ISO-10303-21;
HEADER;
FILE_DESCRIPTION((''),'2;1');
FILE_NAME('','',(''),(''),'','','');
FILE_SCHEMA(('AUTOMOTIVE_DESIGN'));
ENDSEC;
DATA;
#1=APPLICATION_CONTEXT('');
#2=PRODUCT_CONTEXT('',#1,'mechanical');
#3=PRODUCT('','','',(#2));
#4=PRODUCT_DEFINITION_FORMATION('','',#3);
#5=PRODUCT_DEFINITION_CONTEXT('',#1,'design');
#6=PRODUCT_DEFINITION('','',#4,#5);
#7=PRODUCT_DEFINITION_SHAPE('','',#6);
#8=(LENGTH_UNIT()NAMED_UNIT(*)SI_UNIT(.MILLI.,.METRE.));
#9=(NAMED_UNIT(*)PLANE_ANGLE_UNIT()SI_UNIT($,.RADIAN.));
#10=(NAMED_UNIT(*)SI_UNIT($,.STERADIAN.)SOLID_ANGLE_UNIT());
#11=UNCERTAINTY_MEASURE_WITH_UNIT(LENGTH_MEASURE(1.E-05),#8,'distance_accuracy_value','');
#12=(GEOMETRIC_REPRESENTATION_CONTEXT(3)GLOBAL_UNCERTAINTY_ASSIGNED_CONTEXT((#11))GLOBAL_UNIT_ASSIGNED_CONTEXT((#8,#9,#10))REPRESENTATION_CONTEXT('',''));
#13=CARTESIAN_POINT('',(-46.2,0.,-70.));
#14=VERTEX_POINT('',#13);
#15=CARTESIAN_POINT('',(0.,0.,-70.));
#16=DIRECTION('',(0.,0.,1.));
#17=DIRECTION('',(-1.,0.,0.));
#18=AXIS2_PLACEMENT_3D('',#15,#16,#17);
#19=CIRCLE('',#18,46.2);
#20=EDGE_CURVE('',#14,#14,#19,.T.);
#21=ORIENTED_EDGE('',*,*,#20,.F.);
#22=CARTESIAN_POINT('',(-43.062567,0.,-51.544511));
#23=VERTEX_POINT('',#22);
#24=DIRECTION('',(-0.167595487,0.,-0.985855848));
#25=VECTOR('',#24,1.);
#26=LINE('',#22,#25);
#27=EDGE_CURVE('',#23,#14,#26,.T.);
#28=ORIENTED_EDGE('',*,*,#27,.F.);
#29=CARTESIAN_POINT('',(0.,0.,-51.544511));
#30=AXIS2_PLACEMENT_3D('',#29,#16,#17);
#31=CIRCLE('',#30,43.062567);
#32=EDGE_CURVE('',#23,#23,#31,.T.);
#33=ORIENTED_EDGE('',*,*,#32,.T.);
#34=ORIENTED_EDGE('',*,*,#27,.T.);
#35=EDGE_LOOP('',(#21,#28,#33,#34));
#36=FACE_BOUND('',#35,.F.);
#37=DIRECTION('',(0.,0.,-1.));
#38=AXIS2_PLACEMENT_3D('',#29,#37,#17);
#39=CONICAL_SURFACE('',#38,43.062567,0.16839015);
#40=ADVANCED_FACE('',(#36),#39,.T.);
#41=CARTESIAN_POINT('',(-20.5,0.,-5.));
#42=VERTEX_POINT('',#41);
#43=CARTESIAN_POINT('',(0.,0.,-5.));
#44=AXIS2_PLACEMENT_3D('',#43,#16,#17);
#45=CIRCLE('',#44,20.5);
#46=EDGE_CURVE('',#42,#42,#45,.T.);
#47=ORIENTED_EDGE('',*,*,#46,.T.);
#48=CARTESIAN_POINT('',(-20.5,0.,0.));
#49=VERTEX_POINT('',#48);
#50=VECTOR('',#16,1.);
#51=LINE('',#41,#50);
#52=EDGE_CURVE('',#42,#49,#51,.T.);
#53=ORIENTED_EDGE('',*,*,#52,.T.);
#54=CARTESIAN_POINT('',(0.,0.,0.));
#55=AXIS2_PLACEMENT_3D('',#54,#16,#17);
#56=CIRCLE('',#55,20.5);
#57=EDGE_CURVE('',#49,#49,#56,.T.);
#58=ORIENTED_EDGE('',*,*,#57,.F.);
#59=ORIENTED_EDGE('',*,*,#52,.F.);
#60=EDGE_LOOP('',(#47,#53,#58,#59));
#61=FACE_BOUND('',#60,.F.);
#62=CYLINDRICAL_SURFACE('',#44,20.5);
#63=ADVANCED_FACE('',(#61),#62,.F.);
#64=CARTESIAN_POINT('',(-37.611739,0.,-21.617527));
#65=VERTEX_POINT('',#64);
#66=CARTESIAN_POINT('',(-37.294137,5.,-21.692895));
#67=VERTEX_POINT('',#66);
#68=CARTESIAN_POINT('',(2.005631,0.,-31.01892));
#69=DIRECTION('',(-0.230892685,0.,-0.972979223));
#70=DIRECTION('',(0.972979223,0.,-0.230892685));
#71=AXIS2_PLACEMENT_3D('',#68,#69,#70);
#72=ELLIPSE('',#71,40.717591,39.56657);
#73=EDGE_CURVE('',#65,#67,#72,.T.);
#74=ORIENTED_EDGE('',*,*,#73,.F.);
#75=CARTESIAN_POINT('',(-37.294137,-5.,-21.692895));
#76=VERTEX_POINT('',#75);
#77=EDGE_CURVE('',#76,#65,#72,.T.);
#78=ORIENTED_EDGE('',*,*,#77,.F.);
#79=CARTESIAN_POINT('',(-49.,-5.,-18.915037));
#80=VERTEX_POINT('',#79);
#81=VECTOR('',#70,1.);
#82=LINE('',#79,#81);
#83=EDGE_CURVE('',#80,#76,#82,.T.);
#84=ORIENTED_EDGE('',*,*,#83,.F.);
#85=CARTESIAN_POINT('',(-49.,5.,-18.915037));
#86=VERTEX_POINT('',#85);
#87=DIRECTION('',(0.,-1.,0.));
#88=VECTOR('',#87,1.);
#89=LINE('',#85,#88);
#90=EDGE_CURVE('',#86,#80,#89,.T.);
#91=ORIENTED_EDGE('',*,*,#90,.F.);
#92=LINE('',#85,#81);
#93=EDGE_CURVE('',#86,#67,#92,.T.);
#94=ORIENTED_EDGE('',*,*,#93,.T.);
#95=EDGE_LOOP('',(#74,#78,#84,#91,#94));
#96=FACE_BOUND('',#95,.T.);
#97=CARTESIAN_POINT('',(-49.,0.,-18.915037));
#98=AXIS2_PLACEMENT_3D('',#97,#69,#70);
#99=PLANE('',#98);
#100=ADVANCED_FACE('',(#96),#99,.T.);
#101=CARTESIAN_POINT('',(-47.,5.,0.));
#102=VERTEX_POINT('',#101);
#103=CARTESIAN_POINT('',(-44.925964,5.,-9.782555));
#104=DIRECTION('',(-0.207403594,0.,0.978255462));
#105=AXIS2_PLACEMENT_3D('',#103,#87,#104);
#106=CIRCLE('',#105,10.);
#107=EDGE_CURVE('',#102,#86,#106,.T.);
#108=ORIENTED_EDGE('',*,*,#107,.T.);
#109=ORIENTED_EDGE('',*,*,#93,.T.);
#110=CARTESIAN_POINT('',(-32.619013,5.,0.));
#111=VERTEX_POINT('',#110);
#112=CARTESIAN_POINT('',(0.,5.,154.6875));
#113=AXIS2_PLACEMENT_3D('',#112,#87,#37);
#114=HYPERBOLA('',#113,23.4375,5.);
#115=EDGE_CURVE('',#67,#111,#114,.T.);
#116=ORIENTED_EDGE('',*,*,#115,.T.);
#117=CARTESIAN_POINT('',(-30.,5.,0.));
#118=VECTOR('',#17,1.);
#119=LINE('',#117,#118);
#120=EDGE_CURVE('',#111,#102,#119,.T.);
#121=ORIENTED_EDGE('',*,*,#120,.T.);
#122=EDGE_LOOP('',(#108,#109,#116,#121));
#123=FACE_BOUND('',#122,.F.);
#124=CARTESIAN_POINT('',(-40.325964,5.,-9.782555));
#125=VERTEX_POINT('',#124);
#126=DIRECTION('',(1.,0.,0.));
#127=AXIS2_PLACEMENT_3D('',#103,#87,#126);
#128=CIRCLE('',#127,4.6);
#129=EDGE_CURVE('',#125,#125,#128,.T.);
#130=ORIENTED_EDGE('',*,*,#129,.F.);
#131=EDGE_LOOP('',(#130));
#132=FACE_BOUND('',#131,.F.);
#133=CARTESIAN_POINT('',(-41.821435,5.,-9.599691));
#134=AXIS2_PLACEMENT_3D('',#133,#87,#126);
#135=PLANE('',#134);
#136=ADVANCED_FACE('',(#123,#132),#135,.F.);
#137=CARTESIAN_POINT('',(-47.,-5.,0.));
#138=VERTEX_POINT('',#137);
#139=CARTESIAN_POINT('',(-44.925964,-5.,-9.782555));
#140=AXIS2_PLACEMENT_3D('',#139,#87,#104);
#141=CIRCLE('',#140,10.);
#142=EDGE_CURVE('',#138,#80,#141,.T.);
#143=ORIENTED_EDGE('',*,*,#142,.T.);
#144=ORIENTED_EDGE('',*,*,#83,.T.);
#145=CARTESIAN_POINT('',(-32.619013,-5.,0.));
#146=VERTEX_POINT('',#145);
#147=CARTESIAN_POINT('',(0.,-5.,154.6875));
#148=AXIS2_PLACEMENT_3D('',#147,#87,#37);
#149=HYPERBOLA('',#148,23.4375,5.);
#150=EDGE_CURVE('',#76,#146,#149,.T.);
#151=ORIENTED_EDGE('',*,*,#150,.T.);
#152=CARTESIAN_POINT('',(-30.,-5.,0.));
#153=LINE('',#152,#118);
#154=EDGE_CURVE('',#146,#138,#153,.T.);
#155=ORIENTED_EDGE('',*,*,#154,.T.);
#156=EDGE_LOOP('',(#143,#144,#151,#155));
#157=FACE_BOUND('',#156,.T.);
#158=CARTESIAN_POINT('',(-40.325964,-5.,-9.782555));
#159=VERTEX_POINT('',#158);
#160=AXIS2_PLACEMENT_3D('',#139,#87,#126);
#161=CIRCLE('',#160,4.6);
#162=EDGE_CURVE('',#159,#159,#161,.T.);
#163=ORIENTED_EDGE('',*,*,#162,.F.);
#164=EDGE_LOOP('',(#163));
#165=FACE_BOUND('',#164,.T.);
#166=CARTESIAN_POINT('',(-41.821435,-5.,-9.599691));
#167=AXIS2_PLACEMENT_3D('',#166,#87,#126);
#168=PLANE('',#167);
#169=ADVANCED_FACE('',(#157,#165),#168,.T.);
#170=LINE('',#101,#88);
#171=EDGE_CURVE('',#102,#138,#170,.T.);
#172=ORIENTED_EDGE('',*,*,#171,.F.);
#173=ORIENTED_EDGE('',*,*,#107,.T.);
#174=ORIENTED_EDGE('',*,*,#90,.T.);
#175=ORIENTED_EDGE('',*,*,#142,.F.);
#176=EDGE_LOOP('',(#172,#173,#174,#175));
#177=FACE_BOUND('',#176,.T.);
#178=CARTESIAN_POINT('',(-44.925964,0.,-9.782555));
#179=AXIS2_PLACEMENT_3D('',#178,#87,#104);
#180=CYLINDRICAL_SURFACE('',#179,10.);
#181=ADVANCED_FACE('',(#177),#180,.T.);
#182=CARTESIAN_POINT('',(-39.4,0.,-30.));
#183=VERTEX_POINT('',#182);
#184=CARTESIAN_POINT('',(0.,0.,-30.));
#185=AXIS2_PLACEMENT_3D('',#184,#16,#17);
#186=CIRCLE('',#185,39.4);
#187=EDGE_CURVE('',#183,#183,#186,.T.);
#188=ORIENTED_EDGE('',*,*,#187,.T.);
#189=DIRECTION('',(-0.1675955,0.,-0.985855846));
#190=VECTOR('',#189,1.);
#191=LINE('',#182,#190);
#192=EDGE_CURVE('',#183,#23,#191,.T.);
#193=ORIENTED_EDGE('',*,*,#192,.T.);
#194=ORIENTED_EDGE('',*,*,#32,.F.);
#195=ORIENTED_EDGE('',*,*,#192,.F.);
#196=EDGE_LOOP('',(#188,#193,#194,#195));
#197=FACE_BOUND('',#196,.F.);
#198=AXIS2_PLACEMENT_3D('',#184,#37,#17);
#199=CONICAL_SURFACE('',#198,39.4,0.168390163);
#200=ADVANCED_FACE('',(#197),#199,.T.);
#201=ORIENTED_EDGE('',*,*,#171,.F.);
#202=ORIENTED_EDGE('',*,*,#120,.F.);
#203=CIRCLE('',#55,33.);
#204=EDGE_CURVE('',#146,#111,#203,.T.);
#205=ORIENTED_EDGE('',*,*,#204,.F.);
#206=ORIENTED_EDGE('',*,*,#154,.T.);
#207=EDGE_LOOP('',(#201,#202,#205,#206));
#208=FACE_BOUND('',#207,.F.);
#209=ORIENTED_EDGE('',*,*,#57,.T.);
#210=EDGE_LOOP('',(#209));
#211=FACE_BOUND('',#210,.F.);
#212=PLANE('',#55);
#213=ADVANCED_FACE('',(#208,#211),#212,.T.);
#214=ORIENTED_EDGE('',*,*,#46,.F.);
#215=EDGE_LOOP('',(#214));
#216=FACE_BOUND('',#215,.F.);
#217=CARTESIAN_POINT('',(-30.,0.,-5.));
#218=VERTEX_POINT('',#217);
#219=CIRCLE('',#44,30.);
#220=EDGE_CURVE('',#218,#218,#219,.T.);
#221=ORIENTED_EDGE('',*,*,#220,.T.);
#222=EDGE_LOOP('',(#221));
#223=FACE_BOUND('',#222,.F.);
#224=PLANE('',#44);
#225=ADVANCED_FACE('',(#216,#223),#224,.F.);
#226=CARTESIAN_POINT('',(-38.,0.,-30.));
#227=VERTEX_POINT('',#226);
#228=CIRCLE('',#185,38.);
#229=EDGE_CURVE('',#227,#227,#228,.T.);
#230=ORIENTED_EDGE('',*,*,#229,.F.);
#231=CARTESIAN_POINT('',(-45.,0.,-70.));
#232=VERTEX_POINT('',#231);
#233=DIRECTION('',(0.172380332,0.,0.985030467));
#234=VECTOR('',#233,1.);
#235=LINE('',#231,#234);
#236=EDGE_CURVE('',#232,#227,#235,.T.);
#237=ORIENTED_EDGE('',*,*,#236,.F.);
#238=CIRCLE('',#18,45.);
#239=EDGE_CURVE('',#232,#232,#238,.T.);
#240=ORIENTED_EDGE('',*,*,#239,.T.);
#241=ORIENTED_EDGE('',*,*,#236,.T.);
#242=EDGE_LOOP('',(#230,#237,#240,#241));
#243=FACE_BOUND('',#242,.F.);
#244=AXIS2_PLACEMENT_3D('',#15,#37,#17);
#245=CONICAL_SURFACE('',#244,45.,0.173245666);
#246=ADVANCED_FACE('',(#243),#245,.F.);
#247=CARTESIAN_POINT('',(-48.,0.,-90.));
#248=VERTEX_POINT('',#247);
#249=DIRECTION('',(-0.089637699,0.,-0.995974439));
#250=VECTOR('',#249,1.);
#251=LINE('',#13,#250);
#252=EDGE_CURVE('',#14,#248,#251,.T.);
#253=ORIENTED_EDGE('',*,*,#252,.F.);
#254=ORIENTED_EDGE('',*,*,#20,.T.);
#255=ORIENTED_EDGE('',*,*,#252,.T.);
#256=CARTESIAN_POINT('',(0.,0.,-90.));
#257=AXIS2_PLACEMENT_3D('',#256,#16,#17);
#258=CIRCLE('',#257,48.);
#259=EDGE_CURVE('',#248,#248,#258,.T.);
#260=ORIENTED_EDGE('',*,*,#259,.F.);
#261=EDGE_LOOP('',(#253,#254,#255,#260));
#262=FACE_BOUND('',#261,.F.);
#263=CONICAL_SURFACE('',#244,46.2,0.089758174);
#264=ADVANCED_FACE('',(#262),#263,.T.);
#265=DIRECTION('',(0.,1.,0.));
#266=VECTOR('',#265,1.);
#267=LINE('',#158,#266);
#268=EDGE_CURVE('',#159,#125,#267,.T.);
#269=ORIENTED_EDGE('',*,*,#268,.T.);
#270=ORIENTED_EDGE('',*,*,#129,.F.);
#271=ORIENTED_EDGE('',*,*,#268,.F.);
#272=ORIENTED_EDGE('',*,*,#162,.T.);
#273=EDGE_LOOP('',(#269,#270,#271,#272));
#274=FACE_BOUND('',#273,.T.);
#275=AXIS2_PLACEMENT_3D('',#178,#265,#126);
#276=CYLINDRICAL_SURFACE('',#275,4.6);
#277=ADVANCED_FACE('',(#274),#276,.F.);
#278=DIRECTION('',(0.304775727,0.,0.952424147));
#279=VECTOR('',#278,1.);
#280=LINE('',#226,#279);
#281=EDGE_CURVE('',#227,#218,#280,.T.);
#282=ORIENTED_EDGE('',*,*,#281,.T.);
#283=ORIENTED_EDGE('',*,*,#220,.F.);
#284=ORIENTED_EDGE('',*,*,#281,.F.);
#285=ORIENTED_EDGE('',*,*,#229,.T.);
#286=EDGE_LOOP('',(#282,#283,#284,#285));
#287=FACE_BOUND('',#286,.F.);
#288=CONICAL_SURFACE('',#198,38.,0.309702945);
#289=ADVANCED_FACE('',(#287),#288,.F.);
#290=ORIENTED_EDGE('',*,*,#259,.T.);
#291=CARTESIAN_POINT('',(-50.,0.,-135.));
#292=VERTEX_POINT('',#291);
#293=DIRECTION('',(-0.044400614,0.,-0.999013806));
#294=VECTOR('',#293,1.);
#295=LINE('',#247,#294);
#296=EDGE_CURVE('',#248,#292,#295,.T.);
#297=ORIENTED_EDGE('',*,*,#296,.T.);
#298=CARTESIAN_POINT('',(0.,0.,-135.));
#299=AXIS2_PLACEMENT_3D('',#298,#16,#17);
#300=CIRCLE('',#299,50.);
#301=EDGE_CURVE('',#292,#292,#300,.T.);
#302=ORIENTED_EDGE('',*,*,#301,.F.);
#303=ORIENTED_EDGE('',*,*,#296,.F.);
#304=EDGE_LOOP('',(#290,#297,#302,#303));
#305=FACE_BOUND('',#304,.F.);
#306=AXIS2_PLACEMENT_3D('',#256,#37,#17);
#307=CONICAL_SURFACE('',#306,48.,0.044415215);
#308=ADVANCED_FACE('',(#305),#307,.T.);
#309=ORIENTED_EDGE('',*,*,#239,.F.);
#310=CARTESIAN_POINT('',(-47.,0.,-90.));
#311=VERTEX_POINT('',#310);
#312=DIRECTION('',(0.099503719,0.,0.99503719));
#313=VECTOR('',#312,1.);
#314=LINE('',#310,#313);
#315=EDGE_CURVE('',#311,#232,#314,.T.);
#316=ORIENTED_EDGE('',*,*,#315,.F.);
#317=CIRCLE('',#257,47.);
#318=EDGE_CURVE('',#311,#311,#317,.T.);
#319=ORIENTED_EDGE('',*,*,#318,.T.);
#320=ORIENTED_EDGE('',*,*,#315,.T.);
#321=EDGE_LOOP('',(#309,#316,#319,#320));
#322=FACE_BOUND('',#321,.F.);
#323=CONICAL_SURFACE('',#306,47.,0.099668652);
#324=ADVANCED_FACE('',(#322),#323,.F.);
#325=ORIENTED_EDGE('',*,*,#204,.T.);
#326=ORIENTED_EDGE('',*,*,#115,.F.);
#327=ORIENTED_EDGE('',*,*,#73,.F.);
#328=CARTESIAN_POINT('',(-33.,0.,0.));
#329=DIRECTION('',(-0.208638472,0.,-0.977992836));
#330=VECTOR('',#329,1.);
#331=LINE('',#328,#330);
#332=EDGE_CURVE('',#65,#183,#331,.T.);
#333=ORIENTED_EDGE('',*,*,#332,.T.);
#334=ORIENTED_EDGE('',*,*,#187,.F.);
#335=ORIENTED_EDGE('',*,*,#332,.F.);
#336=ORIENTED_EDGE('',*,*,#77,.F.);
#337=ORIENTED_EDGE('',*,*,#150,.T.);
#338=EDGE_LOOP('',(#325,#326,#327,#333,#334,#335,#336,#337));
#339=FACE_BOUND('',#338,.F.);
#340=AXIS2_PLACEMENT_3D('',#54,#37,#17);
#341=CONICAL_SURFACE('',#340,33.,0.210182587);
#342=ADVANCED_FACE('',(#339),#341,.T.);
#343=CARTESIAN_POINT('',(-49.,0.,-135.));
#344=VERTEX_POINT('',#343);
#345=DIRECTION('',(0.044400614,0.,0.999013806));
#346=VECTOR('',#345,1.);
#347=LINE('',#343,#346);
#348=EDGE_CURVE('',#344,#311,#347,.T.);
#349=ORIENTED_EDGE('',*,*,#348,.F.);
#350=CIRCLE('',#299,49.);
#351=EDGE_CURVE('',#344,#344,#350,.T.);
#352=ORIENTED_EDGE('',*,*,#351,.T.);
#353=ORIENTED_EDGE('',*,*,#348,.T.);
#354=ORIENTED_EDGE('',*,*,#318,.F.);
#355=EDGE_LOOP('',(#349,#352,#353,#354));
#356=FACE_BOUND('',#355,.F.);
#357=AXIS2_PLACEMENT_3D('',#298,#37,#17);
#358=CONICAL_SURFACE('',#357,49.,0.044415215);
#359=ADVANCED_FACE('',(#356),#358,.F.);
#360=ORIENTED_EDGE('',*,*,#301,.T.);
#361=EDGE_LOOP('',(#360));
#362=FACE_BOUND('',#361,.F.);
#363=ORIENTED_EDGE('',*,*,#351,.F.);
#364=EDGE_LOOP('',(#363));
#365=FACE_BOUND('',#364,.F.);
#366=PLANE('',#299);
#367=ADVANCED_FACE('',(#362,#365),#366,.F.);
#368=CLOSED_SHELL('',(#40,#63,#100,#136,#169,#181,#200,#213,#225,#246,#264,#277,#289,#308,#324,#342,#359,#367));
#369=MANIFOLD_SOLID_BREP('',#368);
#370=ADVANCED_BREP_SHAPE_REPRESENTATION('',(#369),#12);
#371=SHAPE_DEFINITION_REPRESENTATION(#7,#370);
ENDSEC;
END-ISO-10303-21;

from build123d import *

# Parameters (mm, degrees)
SKETCH002_R    = 4.6
PAD_DEPTH      = 5
PAD_DEPTH_BACK = 5


with BuildPart() as pad:
    # Sketch002 → Pad (new body, two sides)
    with BuildSketch(Plane.XZ) as pad_sk:
        with BuildLine():
            Line((-30, 0), (-47, 0))
            ThreePointArc((-47, 0), (-54.870528, -8.731056), (-49, -18.915037))
            Line((-49, -18.915037), (-36, -22))
            Line((-36, -22), (-30, 0))
        make_face()
        with Locations((-44.925964, -9.782555)):
            Circle(SKETCH002_R, mode=Mode.SUBTRACT)
    extrude(amount=PAD_DEPTH)
    extrude(pad_sk.sketch, amount=-PAD_DEPTH_BACK)


with BuildPart() as fusion:
    # Sketch001 → Revolution (revolve)
    with BuildSketch(Plane.XZ):
        Polygon((-20.5, 0), (-33, 0), (-39.4, -30), (-43.062567, -51.544511), (-46.2, -70), (-48, -90), (-50, -135), (-49, -135), (-47, -90), (-45, -70), (-38, -30), (-30, -5), (-20.5, -5), align=None)
    revolve(axis=Axis((0, 0, 0), (0, 0, 1)))

    # Fusion: union Pad
    add(pad.part)


solid = fusion.part
